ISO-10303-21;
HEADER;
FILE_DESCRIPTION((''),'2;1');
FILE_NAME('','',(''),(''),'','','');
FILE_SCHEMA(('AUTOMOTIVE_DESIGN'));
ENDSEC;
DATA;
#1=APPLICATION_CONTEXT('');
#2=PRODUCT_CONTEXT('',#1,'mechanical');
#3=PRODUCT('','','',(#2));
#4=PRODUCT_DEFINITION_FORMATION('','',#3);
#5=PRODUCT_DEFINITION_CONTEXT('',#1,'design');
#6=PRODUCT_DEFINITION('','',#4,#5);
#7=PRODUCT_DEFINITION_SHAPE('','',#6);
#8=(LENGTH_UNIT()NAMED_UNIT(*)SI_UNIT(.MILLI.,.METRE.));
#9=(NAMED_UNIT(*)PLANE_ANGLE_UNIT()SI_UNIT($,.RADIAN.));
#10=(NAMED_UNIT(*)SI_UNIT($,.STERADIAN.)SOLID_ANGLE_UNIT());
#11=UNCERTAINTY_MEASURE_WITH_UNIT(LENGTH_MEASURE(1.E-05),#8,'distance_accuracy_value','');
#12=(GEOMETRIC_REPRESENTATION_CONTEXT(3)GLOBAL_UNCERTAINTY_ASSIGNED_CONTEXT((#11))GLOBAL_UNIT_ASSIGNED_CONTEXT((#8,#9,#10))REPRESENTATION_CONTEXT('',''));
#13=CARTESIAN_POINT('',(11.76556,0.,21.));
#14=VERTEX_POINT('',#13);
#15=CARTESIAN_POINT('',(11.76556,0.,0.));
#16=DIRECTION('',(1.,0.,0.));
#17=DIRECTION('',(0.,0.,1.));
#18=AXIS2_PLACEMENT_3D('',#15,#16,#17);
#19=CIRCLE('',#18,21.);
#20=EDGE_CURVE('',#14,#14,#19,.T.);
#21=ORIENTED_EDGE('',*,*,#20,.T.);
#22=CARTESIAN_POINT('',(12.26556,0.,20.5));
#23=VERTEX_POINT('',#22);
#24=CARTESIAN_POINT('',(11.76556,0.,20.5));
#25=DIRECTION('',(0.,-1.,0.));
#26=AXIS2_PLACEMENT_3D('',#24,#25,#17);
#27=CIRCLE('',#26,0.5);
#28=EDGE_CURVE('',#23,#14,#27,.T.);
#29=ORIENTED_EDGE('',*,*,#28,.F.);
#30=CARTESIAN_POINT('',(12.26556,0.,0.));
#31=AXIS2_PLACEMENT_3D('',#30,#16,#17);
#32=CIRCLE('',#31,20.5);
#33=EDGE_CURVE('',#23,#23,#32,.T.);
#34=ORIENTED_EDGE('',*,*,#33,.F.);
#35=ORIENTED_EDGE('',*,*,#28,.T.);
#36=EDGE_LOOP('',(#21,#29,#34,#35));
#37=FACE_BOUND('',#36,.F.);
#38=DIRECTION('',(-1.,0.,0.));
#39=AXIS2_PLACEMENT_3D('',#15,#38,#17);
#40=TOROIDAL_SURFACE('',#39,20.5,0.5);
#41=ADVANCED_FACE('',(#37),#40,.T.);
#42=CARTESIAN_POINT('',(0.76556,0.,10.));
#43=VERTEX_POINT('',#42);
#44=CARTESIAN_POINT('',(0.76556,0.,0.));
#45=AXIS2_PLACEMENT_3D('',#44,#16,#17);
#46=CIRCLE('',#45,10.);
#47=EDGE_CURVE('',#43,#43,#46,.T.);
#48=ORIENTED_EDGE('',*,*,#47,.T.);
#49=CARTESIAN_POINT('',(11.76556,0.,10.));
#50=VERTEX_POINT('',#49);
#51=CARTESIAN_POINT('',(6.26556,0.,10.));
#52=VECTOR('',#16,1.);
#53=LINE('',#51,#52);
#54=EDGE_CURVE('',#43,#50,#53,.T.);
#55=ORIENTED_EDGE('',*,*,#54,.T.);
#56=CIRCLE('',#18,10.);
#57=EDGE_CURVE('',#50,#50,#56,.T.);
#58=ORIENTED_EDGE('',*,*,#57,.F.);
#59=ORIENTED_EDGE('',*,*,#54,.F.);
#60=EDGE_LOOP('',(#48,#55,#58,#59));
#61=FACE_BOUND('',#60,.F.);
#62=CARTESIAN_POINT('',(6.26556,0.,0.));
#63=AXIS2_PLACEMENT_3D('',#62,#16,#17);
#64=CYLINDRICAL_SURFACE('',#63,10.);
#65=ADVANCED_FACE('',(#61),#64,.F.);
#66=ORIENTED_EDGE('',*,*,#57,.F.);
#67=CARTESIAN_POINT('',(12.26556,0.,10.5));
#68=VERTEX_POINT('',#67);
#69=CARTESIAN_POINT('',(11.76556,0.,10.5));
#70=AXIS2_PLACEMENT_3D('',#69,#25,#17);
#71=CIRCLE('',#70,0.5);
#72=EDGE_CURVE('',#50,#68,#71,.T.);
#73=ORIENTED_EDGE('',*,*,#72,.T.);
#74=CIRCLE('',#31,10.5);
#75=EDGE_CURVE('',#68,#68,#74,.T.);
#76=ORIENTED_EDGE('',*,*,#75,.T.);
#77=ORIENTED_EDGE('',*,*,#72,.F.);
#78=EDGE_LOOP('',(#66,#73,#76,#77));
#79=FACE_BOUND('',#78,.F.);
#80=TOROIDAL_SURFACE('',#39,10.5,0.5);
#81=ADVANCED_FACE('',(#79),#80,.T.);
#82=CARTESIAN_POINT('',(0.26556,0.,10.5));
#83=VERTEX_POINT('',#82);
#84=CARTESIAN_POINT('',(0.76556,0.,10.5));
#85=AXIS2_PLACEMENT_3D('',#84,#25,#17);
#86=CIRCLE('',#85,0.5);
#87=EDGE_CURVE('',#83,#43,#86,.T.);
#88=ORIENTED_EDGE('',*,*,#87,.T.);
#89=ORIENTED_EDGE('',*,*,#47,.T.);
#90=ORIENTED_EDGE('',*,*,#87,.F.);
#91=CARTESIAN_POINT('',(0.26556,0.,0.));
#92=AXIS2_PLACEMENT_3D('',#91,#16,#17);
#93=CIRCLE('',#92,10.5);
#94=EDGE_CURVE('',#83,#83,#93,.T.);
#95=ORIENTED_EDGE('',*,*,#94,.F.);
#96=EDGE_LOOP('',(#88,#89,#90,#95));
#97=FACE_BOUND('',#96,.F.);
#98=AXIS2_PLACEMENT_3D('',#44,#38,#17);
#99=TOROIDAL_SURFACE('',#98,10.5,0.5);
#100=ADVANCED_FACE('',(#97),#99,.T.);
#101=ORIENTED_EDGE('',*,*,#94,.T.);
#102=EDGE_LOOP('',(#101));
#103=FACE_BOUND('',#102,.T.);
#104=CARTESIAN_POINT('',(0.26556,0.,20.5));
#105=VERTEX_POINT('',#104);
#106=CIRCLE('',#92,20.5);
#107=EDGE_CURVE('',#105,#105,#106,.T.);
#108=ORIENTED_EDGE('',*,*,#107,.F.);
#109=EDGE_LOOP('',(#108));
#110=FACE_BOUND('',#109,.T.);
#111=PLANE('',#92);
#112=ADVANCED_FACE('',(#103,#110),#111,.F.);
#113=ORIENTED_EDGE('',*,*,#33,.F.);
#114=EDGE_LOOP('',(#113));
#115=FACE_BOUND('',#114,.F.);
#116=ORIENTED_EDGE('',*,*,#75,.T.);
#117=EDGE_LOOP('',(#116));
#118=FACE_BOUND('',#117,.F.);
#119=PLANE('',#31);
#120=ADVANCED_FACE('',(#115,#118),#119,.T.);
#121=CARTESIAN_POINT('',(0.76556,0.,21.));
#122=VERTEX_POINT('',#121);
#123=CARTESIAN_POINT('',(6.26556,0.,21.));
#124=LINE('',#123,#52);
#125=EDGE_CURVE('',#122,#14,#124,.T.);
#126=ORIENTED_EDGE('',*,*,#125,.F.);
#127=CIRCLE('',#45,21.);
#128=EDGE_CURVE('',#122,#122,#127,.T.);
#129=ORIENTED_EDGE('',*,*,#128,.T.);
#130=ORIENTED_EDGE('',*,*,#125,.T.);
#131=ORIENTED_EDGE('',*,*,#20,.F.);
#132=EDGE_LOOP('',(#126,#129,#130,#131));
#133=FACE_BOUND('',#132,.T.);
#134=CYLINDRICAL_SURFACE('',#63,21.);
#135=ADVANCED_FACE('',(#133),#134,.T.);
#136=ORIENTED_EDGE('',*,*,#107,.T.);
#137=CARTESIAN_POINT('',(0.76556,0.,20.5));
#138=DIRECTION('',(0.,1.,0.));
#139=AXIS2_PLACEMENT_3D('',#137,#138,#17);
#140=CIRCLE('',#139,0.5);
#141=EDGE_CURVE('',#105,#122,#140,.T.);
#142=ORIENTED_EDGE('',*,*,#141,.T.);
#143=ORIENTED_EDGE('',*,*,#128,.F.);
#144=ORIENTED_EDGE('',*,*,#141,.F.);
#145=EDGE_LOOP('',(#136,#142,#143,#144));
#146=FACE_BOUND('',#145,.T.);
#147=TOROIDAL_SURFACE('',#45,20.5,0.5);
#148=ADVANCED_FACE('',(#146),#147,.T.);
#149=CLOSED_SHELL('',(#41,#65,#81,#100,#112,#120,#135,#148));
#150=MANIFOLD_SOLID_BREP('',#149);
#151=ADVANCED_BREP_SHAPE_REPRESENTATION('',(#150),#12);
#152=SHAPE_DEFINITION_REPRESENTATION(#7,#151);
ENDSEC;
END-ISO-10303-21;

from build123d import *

# Parameters (mm, degrees)
F0_W = 12
F0_H = 11
F2_R = 0.5


with BuildPart() as f1:
    # F0 (on Front) → F1 (revolve)
    with BuildSketch(Plane.XZ):
        with Locations((6.26556, 15.5)):
            Rectangle(F0_W, F0_H)
    revolve(axis=Axis((2.772328, 0, 0), (1, 0, 0)))

    # F2
    f2_edges = [f1.edges().sort_by_distance(p)[0] for p in [
        (12.26556, 0, -21),
        (0.26556, 0, -21),
        (6.26556, 0, 21),
        (0.26556, 0, -10),
        (12.26556, 0, -10),
        (6.26556, 0, 10),
    ]]
    fillet(f2_edges, radius=F2_R)


solid = f1.part
